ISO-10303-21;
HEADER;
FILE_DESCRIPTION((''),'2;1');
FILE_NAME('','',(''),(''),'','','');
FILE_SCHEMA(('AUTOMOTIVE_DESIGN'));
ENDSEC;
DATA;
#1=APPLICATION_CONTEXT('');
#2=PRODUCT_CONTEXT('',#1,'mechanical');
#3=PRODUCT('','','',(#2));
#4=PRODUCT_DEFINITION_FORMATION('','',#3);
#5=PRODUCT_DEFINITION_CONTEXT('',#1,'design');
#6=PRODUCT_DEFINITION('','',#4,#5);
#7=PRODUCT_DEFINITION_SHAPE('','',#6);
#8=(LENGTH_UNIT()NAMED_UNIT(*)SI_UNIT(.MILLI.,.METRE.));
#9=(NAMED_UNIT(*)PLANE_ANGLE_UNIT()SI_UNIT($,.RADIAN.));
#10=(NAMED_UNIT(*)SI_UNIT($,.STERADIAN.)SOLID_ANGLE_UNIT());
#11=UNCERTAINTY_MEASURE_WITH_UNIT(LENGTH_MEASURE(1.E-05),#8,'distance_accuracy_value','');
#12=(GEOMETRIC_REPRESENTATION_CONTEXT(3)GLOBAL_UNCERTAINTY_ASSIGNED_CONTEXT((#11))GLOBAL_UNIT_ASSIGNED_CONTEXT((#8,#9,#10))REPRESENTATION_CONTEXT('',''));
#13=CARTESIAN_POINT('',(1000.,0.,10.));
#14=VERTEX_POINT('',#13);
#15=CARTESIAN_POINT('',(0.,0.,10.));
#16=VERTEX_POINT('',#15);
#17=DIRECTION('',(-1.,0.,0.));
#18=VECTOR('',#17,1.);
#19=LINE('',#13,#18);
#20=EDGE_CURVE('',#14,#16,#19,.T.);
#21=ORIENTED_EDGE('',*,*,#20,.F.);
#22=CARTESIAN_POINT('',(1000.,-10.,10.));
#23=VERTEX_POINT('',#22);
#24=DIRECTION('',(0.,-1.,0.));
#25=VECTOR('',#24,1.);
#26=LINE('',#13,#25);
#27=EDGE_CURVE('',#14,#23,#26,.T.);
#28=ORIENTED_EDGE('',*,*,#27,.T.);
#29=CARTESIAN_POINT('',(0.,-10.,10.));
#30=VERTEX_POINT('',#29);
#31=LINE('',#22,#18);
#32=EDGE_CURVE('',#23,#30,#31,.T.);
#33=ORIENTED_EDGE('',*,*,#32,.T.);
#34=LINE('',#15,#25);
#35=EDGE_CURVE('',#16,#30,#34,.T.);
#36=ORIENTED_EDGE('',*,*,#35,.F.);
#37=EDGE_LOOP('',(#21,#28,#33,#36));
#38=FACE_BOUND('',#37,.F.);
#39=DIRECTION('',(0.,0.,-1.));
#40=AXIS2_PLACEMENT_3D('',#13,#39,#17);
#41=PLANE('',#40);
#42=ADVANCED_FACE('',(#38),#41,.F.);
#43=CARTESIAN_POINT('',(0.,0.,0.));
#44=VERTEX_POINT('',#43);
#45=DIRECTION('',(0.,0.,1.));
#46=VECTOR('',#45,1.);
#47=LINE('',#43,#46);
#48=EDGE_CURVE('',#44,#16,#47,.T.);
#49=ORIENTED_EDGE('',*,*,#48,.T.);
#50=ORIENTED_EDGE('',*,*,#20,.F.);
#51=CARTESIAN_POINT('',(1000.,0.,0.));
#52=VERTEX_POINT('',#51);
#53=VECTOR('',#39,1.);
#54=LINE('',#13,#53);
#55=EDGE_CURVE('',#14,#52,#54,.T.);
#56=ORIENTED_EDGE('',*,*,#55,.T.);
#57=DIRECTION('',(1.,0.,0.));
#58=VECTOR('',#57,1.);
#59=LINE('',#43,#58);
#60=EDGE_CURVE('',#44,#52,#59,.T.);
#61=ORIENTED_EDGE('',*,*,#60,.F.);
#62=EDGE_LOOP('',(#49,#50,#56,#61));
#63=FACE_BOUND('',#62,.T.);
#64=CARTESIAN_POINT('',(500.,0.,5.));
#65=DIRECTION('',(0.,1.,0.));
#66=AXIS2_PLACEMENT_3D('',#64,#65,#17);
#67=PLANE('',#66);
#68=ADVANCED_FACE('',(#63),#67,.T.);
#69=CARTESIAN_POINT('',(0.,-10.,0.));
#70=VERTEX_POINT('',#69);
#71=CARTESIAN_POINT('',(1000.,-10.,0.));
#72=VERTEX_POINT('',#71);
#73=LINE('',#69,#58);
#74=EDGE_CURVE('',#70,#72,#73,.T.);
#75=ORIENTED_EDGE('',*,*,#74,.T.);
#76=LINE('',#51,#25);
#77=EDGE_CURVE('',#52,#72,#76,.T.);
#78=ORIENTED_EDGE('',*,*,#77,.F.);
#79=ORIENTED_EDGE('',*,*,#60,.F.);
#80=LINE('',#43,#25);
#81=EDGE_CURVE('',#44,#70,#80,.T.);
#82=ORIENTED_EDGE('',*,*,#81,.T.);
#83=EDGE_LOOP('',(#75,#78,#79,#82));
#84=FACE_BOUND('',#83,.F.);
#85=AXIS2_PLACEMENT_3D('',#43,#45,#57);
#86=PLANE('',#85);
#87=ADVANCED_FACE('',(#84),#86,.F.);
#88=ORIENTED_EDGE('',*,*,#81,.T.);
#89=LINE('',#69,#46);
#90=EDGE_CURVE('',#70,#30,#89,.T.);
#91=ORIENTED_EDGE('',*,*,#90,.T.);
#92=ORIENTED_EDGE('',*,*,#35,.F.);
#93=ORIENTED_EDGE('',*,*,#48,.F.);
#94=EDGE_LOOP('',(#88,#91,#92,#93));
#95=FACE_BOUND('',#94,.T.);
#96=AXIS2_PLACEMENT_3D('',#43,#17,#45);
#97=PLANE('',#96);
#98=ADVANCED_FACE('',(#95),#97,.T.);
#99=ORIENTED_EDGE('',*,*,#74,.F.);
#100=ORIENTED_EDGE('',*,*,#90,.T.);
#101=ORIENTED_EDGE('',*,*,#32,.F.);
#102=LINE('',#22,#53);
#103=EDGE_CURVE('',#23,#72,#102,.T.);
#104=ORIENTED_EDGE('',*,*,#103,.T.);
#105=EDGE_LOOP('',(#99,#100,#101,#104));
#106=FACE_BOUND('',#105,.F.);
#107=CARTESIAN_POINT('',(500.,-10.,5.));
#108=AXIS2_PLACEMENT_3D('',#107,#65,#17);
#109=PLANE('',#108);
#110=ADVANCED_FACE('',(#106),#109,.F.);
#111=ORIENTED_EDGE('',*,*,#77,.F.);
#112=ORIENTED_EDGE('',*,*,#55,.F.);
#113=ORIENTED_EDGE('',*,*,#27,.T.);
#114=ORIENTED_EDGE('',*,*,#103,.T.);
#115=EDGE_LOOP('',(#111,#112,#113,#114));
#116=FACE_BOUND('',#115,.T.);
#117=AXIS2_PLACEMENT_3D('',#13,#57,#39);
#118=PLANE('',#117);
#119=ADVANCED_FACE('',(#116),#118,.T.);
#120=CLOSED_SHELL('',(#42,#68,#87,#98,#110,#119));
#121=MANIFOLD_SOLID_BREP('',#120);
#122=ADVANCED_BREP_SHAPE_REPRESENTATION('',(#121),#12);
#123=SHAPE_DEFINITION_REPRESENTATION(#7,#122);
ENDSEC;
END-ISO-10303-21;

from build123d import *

# Parameters (mm, degrees)
EXTRUDE_DEPTH = 10


with BuildPart() as part:
    # Sketch → Extrude (new body)
    with BuildSketch(Plane.XZ):
        Polygon((500, 10), (1000, 10), (1000, 0), (500, 0), (0, 0), (0, 10), align=None)
    extrude(amount=EXTRUDE_DEPTH)


solid = part.part
